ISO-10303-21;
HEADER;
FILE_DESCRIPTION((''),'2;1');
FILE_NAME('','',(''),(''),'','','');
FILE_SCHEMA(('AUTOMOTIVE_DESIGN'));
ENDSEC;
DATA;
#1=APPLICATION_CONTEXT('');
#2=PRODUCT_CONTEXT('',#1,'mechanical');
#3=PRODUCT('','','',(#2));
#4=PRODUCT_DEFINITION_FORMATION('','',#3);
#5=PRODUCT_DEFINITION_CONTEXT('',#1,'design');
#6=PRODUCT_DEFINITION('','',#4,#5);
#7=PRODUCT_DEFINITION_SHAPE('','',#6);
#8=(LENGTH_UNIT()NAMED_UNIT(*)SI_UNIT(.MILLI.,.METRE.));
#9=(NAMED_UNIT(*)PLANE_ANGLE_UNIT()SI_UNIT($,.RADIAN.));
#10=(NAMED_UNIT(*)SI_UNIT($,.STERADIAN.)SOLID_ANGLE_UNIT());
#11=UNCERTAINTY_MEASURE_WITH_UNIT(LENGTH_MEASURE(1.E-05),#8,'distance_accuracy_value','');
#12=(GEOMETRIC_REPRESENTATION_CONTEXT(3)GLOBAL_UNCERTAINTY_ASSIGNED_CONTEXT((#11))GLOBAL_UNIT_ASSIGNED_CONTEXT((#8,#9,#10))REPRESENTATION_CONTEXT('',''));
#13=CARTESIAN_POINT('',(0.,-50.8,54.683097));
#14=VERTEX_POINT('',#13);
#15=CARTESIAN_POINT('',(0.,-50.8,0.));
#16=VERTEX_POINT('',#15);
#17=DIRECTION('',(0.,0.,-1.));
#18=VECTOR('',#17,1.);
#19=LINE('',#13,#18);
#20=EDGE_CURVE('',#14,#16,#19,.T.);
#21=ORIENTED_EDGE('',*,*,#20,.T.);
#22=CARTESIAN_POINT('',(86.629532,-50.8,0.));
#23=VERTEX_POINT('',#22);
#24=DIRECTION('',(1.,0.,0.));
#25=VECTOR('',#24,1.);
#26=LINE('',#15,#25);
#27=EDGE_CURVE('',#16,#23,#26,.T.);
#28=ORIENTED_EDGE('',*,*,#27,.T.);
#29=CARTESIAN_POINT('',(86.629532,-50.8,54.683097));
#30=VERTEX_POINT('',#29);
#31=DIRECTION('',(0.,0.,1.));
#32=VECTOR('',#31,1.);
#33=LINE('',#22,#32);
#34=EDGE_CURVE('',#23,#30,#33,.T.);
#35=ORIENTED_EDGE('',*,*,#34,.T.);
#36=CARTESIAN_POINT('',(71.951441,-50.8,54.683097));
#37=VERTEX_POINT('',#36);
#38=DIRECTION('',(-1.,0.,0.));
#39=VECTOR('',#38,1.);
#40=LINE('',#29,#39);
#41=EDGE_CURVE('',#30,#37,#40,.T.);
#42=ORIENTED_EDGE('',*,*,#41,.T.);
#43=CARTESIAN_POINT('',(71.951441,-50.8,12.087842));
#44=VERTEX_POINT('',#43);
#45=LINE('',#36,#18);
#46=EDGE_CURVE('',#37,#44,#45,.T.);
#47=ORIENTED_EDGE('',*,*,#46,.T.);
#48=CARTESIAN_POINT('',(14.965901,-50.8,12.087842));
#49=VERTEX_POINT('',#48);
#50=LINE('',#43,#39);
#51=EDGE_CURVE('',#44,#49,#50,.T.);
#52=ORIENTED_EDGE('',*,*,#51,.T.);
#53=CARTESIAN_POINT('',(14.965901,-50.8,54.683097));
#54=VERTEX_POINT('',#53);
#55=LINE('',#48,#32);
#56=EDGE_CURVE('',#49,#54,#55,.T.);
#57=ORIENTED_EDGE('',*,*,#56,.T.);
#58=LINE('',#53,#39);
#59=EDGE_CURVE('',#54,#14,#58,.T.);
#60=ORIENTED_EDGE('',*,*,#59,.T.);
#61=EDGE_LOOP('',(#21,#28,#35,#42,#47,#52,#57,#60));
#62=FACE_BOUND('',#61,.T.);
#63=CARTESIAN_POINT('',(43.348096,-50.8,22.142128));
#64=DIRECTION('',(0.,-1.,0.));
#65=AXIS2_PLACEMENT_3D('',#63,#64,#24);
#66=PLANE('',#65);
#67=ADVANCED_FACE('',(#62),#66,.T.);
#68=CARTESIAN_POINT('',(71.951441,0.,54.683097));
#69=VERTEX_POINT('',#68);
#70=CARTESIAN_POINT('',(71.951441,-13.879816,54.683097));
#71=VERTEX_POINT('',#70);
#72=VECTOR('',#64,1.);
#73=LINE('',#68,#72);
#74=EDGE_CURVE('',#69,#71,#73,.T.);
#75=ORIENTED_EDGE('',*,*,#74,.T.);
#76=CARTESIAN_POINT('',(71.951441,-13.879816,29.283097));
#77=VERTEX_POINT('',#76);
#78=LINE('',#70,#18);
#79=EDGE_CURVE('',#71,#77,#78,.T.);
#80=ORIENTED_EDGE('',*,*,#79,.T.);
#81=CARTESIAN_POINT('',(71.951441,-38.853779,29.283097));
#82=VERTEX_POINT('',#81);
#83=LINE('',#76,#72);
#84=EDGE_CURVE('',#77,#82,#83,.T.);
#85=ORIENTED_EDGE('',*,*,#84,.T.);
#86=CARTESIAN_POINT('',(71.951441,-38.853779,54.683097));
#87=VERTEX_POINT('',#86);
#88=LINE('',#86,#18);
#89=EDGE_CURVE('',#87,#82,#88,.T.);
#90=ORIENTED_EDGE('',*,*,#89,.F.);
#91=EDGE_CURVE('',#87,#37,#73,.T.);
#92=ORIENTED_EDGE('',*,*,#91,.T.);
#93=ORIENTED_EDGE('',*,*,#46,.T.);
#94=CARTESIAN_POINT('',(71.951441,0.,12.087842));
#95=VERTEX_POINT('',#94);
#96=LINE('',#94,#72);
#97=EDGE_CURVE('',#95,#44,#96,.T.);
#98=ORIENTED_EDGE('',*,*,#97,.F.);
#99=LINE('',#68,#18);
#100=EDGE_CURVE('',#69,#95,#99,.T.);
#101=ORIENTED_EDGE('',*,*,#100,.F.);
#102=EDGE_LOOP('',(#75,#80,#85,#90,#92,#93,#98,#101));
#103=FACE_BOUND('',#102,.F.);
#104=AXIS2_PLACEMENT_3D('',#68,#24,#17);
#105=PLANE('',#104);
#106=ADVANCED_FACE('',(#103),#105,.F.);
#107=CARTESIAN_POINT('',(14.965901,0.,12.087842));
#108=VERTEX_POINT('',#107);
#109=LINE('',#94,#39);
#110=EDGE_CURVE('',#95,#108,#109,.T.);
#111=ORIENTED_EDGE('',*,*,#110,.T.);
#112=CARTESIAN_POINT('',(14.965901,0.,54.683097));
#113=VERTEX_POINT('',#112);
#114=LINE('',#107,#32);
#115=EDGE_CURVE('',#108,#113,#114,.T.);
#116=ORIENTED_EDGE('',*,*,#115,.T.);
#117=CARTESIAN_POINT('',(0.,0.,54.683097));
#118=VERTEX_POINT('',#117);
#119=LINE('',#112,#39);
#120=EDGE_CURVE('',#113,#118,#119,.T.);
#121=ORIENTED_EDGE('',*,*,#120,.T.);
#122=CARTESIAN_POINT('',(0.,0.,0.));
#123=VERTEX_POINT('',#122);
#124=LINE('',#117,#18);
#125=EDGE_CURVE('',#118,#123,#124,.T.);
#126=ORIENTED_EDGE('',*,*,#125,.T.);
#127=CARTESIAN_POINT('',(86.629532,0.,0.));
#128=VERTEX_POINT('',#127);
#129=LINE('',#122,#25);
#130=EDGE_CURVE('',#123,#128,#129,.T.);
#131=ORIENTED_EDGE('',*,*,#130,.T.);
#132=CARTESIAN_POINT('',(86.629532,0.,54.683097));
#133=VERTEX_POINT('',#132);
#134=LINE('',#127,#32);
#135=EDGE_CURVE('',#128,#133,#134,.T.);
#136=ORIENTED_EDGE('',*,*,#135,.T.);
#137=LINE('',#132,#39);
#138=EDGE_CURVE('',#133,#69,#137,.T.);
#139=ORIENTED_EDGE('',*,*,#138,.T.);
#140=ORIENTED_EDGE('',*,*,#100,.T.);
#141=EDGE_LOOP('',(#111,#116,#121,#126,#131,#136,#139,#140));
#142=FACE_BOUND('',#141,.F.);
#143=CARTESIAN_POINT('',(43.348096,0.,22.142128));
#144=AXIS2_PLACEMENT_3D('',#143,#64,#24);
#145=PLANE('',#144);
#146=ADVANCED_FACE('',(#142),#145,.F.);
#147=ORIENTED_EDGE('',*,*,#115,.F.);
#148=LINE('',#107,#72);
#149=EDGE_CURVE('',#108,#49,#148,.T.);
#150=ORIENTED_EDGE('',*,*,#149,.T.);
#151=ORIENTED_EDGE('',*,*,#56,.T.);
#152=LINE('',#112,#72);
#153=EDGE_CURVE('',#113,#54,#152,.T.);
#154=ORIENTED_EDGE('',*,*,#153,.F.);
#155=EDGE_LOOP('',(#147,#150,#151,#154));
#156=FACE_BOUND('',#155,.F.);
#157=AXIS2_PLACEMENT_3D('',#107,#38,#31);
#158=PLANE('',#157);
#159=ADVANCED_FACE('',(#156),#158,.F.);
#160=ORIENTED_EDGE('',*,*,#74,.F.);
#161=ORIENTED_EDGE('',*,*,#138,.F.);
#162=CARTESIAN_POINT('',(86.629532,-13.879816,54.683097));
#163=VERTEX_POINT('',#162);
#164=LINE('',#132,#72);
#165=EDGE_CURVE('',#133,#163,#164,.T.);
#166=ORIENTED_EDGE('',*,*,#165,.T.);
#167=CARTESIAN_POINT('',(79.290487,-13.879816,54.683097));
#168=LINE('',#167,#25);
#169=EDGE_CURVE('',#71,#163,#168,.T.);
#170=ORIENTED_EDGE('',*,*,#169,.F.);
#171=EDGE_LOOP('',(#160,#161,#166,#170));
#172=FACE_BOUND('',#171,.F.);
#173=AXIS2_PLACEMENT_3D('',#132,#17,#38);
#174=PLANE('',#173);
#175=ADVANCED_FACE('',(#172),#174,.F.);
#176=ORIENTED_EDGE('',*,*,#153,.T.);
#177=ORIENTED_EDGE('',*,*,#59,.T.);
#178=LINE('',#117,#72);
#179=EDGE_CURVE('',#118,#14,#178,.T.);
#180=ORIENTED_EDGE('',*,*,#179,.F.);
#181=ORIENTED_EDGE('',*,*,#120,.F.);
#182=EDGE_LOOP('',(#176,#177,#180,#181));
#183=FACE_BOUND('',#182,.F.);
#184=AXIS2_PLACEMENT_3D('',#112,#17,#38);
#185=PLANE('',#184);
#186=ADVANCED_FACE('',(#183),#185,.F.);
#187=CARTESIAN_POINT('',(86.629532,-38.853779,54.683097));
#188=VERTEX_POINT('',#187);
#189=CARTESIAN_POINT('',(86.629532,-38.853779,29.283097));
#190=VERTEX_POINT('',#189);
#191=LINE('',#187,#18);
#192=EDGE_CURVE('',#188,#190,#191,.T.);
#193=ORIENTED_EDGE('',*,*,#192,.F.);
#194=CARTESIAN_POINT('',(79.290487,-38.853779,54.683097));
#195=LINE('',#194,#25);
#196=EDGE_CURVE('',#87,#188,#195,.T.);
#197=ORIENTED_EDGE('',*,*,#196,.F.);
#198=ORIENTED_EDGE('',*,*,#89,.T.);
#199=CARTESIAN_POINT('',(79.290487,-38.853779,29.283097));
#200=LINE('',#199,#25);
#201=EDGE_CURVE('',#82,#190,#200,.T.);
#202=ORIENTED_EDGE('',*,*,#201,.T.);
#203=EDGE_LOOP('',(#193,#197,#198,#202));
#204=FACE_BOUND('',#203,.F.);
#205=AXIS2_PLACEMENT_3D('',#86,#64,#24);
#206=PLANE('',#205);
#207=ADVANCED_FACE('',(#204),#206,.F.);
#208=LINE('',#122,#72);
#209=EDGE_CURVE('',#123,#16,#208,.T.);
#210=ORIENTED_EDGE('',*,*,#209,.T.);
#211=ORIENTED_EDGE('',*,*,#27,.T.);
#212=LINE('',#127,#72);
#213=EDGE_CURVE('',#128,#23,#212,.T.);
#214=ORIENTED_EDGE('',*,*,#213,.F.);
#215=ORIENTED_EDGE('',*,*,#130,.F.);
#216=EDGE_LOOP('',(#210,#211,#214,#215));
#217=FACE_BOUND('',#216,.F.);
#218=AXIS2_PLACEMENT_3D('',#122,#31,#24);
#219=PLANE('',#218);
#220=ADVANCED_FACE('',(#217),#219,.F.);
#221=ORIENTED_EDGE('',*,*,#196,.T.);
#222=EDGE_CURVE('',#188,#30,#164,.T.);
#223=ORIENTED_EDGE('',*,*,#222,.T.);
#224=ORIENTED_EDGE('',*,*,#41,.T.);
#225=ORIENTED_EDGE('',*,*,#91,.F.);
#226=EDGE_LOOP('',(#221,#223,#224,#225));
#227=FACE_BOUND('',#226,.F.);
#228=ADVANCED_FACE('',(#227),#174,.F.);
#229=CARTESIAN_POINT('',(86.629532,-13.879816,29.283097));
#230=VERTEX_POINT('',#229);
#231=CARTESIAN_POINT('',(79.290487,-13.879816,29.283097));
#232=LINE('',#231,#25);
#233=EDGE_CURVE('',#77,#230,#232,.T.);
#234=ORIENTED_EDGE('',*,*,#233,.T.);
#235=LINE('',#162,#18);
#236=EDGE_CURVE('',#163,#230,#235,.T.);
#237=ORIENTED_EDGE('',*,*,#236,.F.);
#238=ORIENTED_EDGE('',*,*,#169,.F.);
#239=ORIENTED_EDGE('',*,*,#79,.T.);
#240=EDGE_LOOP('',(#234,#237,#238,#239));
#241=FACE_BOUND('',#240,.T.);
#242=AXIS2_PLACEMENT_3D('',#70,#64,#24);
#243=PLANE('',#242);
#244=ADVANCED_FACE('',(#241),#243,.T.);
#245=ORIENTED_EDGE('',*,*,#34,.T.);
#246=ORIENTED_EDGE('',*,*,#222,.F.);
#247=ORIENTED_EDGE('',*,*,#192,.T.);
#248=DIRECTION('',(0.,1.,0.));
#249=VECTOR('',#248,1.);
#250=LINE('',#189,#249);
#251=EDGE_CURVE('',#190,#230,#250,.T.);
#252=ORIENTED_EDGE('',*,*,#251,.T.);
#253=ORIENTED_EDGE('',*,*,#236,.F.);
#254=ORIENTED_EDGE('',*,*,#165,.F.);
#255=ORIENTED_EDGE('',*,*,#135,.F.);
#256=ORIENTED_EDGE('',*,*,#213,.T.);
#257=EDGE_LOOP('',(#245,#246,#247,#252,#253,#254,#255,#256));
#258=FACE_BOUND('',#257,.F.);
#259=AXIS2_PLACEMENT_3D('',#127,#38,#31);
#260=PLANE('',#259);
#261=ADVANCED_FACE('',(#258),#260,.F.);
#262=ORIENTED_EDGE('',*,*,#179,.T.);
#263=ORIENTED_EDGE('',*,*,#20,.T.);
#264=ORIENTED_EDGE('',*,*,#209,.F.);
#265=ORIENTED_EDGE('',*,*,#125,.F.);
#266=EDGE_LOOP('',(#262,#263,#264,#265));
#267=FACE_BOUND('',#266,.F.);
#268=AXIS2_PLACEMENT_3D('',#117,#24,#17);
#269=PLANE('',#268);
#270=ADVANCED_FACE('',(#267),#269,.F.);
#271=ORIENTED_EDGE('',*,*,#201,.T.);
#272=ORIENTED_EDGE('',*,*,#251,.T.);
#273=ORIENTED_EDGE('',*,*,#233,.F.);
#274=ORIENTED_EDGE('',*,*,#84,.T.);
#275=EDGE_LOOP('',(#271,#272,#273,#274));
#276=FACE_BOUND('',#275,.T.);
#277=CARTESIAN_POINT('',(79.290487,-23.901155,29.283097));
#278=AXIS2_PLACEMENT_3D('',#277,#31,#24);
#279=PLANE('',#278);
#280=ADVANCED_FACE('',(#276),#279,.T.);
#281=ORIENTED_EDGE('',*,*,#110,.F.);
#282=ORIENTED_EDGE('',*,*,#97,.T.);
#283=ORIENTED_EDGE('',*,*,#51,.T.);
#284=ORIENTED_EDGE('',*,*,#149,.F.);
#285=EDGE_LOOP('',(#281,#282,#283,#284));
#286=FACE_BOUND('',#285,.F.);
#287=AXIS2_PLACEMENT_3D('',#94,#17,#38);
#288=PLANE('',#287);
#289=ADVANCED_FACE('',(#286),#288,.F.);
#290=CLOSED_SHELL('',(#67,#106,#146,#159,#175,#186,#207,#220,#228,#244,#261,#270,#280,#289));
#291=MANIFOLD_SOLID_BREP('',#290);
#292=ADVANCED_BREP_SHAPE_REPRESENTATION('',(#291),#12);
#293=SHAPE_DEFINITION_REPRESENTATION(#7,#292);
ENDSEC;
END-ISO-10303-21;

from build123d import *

# Parameters (mm, degrees)
F1_DEPTH = 50.8
F2_W     = 14.6780908108
F2_H     = 20.0426774099
F2_H_2   = 4.9312859774
F3_DEPTH = 25.4


with BuildPart() as f1:
    # F0 (on Front) → F1 (new body)
    with BuildSketch(Plane.XZ):
        Polygon((0, 54.6830967069), (0, 0), (86.6295322776, 0), (86.6295322776, 54.6830967069), (71.9514414668, 54.6830967069), (71.9514414668, 12.0878415182), (14.9659011513, 12.0878415182), (14.9659011513, 54.6830967069), align=None)
    extrude(amount=F1_DEPTH)

    # F2 (on face) → F3 (cut)
    with BuildSketch(Plane.XY.offset(54.6830967069)):
        with Locations((79.2904868722, -23.9011547528)):
            Rectangle(F2_W, F2_H)
        with Locations((79.2904868722, -36.3881364465)):
            Rectangle(F2_W, F2_H_2)
    extrude(amount=-F3_DEPTH, mode=Mode.SUBTRACT)


solid = f1.part
